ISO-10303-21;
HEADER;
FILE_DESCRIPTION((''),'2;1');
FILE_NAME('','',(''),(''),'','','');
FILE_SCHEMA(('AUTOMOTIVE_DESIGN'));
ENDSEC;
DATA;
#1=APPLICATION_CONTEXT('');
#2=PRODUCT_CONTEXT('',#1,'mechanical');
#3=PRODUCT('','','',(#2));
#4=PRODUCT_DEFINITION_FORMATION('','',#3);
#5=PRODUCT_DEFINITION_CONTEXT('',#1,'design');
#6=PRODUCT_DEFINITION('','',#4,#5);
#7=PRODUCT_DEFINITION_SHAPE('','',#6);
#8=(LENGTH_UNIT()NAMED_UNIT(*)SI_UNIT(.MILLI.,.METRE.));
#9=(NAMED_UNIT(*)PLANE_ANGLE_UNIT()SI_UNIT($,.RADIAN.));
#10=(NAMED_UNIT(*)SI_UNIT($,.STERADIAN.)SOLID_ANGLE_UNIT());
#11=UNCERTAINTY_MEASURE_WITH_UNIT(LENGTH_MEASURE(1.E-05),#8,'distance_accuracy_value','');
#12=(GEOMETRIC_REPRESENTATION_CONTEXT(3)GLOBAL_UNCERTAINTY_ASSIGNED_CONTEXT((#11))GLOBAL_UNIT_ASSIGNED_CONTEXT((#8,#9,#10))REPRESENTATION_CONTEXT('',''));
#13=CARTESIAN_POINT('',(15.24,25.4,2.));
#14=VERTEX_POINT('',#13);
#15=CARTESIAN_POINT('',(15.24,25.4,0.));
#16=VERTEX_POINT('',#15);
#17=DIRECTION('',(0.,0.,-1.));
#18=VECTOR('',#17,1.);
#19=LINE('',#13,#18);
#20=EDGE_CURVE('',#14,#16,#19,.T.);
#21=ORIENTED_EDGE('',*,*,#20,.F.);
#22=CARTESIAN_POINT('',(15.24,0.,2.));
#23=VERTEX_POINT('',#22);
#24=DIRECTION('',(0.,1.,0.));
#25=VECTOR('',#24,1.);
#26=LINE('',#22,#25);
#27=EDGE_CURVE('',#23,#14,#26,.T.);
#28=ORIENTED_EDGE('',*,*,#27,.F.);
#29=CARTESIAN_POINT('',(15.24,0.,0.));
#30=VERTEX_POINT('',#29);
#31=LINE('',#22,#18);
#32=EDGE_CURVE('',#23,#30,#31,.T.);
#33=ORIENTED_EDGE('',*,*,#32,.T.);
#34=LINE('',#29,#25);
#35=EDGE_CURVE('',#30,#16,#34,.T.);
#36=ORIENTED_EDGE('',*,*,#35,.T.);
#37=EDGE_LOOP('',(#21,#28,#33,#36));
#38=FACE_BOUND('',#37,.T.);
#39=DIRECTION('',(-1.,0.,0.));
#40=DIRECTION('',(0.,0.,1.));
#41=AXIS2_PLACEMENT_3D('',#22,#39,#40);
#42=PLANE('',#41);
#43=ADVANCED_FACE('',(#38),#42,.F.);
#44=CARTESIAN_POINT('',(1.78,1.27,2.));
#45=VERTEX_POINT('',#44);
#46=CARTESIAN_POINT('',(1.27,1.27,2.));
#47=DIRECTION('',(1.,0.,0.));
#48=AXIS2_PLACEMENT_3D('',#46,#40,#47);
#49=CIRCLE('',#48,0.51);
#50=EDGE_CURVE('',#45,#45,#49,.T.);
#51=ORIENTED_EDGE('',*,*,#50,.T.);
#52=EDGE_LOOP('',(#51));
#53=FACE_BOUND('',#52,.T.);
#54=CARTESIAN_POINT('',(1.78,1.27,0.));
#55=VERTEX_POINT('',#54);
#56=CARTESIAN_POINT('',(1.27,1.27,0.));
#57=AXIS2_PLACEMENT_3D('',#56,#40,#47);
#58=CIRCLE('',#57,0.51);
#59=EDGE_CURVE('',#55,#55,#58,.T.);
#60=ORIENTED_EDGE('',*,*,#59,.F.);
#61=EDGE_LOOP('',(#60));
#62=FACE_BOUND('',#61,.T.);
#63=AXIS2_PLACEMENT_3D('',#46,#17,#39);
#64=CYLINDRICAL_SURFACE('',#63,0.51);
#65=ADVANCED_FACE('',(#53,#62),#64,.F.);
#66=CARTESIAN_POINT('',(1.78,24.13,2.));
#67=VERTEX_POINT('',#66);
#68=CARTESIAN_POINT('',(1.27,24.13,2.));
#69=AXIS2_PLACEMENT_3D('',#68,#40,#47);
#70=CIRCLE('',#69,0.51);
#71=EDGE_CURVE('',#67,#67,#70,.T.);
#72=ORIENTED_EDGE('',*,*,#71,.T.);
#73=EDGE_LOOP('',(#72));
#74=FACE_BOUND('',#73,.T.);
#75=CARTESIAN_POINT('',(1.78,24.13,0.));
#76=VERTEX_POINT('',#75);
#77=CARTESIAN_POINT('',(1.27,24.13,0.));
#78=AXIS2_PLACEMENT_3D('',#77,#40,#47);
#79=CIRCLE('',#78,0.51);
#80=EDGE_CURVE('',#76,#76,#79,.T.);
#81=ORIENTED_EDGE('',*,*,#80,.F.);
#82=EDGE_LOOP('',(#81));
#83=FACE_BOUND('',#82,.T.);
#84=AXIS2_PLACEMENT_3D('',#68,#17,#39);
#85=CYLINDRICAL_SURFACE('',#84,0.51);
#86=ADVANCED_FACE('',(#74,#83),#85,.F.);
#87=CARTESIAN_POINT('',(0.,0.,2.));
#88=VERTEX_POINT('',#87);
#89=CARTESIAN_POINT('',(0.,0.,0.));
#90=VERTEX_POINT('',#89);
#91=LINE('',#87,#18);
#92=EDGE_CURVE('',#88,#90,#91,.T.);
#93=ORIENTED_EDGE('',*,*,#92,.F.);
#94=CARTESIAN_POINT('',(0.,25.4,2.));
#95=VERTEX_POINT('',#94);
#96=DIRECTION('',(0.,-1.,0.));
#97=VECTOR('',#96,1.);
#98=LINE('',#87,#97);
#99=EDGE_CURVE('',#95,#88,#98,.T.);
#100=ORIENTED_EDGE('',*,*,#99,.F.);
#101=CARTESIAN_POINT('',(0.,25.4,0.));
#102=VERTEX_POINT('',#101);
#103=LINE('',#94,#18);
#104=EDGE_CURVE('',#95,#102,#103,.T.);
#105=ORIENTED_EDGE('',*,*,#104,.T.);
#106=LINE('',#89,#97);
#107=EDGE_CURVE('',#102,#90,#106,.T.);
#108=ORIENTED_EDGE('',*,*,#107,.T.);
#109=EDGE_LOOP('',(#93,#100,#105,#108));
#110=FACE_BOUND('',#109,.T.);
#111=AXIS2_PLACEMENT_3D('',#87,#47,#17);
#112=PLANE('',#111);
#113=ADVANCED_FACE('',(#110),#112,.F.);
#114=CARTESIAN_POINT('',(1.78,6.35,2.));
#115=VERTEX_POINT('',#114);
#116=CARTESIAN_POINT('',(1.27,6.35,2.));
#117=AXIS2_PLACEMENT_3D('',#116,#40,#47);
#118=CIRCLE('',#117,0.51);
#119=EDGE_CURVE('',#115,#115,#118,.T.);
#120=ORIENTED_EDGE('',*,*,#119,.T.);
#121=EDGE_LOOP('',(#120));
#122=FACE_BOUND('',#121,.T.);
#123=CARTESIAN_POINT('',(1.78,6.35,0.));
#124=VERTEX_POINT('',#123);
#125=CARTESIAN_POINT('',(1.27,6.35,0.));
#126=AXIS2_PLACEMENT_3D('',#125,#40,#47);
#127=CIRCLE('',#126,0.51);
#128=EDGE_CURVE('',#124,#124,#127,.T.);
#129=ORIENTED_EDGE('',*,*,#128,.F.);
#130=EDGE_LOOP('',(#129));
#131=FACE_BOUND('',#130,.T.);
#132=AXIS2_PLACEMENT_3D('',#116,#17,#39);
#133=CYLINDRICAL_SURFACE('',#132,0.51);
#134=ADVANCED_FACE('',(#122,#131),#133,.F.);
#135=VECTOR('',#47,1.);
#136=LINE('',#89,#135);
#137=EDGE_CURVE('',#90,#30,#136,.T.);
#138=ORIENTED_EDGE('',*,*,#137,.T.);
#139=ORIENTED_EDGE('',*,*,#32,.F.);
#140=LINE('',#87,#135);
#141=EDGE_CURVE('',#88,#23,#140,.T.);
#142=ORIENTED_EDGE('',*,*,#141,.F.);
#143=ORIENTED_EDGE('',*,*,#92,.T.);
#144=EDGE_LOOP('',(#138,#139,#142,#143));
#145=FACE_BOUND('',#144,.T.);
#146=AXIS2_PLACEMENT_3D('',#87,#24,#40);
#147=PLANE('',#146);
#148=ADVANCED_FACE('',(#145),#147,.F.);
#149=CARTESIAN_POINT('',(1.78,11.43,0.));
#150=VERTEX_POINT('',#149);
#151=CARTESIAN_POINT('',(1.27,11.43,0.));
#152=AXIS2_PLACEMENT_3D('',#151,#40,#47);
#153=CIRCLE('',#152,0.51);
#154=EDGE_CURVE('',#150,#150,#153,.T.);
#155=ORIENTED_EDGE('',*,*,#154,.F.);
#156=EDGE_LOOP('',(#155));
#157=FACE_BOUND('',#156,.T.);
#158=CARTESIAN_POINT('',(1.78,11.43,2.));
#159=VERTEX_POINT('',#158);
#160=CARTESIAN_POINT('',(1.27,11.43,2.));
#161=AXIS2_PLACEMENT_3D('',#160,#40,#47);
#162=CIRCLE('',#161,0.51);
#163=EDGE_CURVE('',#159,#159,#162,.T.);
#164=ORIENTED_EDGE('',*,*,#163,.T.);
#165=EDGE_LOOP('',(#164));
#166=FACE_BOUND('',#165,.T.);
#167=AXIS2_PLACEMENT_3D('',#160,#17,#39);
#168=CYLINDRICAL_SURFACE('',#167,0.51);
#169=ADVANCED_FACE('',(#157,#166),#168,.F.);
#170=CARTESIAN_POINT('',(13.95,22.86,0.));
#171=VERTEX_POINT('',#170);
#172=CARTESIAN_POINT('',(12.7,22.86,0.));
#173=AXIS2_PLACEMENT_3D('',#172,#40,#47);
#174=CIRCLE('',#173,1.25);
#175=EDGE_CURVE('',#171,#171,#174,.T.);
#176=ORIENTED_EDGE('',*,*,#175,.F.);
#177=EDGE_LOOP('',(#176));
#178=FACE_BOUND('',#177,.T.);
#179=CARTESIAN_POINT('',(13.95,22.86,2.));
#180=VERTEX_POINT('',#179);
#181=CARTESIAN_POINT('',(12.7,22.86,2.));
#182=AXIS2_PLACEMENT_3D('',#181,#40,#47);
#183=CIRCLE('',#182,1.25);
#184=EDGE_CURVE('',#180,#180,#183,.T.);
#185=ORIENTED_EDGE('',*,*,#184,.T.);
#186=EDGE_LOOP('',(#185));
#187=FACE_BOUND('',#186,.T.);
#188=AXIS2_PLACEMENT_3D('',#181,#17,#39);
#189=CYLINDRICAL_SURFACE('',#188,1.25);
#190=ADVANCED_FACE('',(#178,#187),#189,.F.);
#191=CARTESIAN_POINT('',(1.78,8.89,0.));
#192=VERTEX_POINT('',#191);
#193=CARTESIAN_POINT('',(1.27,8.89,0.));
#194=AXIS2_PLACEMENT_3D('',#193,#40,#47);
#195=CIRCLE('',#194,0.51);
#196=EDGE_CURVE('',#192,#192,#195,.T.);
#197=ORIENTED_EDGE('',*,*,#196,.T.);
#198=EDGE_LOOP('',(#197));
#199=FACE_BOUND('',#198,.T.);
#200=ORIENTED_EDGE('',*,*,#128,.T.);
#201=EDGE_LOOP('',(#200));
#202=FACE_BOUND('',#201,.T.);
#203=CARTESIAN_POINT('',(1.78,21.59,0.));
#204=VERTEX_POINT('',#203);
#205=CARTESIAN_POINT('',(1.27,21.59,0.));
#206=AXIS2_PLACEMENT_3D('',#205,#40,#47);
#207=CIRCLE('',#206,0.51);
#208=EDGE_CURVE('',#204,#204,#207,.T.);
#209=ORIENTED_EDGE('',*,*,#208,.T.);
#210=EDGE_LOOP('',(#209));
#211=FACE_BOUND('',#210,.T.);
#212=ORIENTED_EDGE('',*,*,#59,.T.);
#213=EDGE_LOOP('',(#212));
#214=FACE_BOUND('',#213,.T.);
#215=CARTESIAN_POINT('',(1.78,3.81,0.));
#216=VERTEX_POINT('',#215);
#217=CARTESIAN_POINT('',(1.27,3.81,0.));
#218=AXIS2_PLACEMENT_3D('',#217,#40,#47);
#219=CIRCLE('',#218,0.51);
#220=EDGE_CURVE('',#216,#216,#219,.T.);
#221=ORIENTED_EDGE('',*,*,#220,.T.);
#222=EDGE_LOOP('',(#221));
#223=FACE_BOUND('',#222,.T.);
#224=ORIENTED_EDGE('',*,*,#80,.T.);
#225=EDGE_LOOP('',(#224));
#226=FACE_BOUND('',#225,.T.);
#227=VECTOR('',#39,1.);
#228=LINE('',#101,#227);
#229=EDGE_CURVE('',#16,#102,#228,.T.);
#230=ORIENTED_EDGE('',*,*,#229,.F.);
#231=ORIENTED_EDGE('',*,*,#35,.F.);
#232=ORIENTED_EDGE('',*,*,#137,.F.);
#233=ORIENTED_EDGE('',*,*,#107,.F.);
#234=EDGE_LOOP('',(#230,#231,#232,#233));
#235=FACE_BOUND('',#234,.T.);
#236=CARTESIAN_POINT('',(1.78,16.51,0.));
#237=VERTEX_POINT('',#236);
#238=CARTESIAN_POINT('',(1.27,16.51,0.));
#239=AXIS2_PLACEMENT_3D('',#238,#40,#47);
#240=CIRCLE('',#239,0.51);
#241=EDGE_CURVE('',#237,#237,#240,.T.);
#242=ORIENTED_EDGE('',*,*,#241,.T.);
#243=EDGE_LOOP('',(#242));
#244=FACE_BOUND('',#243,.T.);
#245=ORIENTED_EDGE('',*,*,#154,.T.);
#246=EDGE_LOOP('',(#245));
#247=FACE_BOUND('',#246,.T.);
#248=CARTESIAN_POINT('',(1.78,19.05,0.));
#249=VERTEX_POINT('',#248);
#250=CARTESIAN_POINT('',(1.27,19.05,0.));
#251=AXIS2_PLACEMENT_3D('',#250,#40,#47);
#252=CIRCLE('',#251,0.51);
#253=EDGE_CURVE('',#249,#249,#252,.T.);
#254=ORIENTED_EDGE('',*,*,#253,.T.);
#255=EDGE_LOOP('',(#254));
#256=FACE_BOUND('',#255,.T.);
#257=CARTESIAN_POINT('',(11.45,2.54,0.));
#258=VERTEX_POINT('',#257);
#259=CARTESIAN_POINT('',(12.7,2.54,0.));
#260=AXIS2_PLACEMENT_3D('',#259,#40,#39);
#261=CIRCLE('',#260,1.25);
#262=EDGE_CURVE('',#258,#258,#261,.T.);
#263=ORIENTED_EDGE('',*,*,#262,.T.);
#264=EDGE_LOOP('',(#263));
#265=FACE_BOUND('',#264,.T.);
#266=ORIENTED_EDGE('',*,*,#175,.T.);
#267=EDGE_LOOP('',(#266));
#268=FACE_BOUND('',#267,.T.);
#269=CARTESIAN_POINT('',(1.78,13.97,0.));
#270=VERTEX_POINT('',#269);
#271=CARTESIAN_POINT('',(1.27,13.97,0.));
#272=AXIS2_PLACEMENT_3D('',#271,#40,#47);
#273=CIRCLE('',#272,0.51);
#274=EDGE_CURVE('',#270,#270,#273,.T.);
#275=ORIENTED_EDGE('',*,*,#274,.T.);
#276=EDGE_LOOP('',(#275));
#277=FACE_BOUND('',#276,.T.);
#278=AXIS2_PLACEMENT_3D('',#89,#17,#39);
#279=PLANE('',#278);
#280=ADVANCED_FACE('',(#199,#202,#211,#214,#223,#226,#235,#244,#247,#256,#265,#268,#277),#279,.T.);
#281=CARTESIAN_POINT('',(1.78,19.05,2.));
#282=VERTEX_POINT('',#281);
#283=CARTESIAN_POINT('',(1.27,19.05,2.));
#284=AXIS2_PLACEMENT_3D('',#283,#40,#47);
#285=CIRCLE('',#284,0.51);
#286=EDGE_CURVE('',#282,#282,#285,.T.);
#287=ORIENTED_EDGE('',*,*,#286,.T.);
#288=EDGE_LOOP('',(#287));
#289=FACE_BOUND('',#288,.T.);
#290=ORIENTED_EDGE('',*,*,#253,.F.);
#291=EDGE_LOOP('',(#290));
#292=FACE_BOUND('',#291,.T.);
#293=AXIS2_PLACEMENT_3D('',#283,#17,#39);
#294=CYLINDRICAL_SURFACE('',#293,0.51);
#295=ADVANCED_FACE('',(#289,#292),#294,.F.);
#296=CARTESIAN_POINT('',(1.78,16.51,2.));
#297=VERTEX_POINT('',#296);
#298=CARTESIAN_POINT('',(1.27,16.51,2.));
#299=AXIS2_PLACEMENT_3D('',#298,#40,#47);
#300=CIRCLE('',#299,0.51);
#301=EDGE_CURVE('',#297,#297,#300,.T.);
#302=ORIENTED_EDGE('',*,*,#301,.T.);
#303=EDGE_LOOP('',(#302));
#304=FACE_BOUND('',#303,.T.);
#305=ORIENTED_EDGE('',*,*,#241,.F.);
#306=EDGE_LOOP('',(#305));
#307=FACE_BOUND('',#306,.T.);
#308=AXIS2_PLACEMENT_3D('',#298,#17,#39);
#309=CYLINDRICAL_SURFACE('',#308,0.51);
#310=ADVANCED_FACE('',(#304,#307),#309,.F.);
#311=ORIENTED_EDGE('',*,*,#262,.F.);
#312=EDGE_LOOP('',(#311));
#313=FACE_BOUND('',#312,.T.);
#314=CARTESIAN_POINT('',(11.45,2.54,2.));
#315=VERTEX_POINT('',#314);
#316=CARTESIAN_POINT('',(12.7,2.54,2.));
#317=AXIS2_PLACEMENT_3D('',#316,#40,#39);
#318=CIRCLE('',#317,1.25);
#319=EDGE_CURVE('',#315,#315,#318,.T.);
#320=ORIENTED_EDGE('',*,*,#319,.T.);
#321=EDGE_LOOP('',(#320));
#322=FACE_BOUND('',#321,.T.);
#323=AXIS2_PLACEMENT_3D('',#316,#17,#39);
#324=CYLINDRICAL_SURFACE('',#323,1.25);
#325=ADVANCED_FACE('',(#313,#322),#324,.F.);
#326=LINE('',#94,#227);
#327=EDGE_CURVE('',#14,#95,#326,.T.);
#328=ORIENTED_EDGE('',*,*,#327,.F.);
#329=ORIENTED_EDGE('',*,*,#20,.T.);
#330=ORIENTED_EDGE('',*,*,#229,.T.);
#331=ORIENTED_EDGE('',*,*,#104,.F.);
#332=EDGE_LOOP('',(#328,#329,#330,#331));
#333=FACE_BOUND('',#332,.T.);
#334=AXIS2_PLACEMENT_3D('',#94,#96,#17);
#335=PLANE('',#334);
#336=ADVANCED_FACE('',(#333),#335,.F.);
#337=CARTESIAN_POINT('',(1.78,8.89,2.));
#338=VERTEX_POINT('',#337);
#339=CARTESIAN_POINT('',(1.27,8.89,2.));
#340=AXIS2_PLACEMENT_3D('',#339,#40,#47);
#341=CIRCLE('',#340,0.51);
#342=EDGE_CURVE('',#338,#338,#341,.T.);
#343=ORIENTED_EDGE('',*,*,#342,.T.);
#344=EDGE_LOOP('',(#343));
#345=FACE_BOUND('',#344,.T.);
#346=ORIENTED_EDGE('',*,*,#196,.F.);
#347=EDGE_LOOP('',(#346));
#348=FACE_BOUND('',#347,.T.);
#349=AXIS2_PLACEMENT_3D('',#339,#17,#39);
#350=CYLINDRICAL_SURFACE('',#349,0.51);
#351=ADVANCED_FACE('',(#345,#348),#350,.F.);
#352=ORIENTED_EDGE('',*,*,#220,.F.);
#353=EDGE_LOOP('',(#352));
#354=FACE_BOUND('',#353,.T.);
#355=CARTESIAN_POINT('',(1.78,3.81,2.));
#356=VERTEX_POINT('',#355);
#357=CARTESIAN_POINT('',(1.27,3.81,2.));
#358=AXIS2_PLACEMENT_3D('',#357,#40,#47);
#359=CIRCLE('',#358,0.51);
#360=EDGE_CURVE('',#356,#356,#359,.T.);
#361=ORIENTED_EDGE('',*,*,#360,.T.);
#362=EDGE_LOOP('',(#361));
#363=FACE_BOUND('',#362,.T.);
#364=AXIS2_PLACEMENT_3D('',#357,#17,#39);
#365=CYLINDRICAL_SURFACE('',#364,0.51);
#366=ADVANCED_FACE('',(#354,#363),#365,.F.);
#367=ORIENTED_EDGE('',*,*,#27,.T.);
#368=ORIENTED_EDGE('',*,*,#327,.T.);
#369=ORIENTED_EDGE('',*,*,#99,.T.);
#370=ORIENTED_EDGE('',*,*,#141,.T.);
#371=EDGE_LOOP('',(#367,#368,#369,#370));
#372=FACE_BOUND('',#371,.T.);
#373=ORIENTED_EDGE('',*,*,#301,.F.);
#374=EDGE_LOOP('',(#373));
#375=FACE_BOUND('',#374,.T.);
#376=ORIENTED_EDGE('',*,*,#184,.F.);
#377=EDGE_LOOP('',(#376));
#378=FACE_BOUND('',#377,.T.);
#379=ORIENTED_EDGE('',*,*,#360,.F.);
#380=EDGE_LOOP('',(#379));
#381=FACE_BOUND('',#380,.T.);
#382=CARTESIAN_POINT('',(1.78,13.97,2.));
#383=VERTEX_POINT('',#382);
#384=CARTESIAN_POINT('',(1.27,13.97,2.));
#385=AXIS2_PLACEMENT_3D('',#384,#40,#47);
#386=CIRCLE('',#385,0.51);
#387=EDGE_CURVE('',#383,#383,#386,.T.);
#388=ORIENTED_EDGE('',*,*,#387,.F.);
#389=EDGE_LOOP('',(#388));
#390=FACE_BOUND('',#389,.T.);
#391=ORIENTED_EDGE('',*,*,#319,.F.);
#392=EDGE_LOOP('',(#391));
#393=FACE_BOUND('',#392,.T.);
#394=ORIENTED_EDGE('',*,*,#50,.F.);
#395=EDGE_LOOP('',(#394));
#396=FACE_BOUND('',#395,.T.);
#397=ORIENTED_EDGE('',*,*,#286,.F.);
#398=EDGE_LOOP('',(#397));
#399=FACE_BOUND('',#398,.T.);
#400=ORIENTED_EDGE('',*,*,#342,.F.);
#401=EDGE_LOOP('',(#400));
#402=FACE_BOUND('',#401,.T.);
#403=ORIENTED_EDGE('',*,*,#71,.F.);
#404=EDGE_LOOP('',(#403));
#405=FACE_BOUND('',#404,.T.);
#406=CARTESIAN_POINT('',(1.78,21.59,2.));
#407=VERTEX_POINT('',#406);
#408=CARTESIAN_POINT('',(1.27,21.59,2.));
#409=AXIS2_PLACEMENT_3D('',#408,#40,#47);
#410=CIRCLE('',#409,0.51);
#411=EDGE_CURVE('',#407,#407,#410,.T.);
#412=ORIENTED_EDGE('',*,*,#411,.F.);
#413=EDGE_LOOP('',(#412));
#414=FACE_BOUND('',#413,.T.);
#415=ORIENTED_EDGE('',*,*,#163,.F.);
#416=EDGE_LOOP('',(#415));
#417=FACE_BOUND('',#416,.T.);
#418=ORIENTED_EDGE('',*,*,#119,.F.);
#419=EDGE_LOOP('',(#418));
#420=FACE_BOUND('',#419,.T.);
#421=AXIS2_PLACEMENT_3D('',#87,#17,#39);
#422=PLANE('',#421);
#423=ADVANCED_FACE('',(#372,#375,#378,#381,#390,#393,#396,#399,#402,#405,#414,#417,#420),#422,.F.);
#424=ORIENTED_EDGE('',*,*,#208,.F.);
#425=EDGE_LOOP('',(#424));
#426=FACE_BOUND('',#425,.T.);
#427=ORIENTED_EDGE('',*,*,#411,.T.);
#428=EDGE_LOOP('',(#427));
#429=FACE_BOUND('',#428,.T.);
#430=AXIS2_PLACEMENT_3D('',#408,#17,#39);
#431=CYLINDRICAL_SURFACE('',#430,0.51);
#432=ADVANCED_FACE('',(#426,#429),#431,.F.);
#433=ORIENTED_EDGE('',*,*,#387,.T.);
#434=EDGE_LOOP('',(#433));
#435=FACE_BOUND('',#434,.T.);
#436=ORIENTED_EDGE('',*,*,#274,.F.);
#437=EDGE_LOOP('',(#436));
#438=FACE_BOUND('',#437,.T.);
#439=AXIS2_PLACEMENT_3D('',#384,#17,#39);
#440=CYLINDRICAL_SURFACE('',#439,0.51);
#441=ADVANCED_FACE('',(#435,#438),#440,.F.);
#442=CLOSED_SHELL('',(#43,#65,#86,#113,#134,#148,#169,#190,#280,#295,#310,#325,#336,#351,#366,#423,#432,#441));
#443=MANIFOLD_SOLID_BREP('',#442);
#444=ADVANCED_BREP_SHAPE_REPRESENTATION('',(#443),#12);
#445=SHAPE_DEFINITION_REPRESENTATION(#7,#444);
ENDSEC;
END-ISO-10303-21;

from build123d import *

# Parameters (mm, degrees)
SKETCH1_W           = 15.24
SKETCH1_H           = 25.4
SKETCH1_R           = 0.51
SKETCH1_R_2         = 1.25
BOSS_EXTRUDE1_DEPTH = 2


with BuildPart() as part:
    # Sketch1 → Boss-Extrude1 (new body)
    with BuildSketch(Plane.XY):
        with Locations((7.62, 12.7)):
            Rectangle(SKETCH1_W, SKETCH1_H)
        with Locations((1.27, 24.13)):
            Circle(SKETCH1_R, mode=Mode.SUBTRACT)
        with Locations((1.27, 21.59)):
            Circle(SKETCH1_R, mode=Mode.SUBTRACT)
        with Locations((1.27, 19.05)):
            Circle(SKETCH1_R, mode=Mode.SUBTRACT)
        with Locations((1.27, 16.51)):
            Circle(SKETCH1_R, mode=Mode.SUBTRACT)
        with Locations((1.27, 13.97)):
            Circle(SKETCH1_R, mode=Mode.SUBTRACT)
        with Locations((1.27, 11.43)):
            Circle(SKETCH1_R, mode=Mode.SUBTRACT)
        with Locations((1.27, 8.89)):
            Circle(SKETCH1_R, mode=Mode.SUBTRACT)
        with Locations((1.27, 6.35)):
            Circle(SKETCH1_R, mode=Mode.SUBTRACT)
        with Locations((1.27, 3.81)):
            Circle(SKETCH1_R, mode=Mode.SUBTRACT)
        with Locations((1.27, 1.27)):
            Circle(SKETCH1_R, mode=Mode.SUBTRACT)
        with Locations((12.7, 22.86)):
            Circle(SKETCH1_R_2, mode=Mode.SUBTRACT)
        with Locations((12.7, 2.54)):
            Circle(SKETCH1_R_2, mode=Mode.SUBTRACT)
    extrude(amount=BOSS_EXTRUDE1_DEPTH)


solid = part.part
